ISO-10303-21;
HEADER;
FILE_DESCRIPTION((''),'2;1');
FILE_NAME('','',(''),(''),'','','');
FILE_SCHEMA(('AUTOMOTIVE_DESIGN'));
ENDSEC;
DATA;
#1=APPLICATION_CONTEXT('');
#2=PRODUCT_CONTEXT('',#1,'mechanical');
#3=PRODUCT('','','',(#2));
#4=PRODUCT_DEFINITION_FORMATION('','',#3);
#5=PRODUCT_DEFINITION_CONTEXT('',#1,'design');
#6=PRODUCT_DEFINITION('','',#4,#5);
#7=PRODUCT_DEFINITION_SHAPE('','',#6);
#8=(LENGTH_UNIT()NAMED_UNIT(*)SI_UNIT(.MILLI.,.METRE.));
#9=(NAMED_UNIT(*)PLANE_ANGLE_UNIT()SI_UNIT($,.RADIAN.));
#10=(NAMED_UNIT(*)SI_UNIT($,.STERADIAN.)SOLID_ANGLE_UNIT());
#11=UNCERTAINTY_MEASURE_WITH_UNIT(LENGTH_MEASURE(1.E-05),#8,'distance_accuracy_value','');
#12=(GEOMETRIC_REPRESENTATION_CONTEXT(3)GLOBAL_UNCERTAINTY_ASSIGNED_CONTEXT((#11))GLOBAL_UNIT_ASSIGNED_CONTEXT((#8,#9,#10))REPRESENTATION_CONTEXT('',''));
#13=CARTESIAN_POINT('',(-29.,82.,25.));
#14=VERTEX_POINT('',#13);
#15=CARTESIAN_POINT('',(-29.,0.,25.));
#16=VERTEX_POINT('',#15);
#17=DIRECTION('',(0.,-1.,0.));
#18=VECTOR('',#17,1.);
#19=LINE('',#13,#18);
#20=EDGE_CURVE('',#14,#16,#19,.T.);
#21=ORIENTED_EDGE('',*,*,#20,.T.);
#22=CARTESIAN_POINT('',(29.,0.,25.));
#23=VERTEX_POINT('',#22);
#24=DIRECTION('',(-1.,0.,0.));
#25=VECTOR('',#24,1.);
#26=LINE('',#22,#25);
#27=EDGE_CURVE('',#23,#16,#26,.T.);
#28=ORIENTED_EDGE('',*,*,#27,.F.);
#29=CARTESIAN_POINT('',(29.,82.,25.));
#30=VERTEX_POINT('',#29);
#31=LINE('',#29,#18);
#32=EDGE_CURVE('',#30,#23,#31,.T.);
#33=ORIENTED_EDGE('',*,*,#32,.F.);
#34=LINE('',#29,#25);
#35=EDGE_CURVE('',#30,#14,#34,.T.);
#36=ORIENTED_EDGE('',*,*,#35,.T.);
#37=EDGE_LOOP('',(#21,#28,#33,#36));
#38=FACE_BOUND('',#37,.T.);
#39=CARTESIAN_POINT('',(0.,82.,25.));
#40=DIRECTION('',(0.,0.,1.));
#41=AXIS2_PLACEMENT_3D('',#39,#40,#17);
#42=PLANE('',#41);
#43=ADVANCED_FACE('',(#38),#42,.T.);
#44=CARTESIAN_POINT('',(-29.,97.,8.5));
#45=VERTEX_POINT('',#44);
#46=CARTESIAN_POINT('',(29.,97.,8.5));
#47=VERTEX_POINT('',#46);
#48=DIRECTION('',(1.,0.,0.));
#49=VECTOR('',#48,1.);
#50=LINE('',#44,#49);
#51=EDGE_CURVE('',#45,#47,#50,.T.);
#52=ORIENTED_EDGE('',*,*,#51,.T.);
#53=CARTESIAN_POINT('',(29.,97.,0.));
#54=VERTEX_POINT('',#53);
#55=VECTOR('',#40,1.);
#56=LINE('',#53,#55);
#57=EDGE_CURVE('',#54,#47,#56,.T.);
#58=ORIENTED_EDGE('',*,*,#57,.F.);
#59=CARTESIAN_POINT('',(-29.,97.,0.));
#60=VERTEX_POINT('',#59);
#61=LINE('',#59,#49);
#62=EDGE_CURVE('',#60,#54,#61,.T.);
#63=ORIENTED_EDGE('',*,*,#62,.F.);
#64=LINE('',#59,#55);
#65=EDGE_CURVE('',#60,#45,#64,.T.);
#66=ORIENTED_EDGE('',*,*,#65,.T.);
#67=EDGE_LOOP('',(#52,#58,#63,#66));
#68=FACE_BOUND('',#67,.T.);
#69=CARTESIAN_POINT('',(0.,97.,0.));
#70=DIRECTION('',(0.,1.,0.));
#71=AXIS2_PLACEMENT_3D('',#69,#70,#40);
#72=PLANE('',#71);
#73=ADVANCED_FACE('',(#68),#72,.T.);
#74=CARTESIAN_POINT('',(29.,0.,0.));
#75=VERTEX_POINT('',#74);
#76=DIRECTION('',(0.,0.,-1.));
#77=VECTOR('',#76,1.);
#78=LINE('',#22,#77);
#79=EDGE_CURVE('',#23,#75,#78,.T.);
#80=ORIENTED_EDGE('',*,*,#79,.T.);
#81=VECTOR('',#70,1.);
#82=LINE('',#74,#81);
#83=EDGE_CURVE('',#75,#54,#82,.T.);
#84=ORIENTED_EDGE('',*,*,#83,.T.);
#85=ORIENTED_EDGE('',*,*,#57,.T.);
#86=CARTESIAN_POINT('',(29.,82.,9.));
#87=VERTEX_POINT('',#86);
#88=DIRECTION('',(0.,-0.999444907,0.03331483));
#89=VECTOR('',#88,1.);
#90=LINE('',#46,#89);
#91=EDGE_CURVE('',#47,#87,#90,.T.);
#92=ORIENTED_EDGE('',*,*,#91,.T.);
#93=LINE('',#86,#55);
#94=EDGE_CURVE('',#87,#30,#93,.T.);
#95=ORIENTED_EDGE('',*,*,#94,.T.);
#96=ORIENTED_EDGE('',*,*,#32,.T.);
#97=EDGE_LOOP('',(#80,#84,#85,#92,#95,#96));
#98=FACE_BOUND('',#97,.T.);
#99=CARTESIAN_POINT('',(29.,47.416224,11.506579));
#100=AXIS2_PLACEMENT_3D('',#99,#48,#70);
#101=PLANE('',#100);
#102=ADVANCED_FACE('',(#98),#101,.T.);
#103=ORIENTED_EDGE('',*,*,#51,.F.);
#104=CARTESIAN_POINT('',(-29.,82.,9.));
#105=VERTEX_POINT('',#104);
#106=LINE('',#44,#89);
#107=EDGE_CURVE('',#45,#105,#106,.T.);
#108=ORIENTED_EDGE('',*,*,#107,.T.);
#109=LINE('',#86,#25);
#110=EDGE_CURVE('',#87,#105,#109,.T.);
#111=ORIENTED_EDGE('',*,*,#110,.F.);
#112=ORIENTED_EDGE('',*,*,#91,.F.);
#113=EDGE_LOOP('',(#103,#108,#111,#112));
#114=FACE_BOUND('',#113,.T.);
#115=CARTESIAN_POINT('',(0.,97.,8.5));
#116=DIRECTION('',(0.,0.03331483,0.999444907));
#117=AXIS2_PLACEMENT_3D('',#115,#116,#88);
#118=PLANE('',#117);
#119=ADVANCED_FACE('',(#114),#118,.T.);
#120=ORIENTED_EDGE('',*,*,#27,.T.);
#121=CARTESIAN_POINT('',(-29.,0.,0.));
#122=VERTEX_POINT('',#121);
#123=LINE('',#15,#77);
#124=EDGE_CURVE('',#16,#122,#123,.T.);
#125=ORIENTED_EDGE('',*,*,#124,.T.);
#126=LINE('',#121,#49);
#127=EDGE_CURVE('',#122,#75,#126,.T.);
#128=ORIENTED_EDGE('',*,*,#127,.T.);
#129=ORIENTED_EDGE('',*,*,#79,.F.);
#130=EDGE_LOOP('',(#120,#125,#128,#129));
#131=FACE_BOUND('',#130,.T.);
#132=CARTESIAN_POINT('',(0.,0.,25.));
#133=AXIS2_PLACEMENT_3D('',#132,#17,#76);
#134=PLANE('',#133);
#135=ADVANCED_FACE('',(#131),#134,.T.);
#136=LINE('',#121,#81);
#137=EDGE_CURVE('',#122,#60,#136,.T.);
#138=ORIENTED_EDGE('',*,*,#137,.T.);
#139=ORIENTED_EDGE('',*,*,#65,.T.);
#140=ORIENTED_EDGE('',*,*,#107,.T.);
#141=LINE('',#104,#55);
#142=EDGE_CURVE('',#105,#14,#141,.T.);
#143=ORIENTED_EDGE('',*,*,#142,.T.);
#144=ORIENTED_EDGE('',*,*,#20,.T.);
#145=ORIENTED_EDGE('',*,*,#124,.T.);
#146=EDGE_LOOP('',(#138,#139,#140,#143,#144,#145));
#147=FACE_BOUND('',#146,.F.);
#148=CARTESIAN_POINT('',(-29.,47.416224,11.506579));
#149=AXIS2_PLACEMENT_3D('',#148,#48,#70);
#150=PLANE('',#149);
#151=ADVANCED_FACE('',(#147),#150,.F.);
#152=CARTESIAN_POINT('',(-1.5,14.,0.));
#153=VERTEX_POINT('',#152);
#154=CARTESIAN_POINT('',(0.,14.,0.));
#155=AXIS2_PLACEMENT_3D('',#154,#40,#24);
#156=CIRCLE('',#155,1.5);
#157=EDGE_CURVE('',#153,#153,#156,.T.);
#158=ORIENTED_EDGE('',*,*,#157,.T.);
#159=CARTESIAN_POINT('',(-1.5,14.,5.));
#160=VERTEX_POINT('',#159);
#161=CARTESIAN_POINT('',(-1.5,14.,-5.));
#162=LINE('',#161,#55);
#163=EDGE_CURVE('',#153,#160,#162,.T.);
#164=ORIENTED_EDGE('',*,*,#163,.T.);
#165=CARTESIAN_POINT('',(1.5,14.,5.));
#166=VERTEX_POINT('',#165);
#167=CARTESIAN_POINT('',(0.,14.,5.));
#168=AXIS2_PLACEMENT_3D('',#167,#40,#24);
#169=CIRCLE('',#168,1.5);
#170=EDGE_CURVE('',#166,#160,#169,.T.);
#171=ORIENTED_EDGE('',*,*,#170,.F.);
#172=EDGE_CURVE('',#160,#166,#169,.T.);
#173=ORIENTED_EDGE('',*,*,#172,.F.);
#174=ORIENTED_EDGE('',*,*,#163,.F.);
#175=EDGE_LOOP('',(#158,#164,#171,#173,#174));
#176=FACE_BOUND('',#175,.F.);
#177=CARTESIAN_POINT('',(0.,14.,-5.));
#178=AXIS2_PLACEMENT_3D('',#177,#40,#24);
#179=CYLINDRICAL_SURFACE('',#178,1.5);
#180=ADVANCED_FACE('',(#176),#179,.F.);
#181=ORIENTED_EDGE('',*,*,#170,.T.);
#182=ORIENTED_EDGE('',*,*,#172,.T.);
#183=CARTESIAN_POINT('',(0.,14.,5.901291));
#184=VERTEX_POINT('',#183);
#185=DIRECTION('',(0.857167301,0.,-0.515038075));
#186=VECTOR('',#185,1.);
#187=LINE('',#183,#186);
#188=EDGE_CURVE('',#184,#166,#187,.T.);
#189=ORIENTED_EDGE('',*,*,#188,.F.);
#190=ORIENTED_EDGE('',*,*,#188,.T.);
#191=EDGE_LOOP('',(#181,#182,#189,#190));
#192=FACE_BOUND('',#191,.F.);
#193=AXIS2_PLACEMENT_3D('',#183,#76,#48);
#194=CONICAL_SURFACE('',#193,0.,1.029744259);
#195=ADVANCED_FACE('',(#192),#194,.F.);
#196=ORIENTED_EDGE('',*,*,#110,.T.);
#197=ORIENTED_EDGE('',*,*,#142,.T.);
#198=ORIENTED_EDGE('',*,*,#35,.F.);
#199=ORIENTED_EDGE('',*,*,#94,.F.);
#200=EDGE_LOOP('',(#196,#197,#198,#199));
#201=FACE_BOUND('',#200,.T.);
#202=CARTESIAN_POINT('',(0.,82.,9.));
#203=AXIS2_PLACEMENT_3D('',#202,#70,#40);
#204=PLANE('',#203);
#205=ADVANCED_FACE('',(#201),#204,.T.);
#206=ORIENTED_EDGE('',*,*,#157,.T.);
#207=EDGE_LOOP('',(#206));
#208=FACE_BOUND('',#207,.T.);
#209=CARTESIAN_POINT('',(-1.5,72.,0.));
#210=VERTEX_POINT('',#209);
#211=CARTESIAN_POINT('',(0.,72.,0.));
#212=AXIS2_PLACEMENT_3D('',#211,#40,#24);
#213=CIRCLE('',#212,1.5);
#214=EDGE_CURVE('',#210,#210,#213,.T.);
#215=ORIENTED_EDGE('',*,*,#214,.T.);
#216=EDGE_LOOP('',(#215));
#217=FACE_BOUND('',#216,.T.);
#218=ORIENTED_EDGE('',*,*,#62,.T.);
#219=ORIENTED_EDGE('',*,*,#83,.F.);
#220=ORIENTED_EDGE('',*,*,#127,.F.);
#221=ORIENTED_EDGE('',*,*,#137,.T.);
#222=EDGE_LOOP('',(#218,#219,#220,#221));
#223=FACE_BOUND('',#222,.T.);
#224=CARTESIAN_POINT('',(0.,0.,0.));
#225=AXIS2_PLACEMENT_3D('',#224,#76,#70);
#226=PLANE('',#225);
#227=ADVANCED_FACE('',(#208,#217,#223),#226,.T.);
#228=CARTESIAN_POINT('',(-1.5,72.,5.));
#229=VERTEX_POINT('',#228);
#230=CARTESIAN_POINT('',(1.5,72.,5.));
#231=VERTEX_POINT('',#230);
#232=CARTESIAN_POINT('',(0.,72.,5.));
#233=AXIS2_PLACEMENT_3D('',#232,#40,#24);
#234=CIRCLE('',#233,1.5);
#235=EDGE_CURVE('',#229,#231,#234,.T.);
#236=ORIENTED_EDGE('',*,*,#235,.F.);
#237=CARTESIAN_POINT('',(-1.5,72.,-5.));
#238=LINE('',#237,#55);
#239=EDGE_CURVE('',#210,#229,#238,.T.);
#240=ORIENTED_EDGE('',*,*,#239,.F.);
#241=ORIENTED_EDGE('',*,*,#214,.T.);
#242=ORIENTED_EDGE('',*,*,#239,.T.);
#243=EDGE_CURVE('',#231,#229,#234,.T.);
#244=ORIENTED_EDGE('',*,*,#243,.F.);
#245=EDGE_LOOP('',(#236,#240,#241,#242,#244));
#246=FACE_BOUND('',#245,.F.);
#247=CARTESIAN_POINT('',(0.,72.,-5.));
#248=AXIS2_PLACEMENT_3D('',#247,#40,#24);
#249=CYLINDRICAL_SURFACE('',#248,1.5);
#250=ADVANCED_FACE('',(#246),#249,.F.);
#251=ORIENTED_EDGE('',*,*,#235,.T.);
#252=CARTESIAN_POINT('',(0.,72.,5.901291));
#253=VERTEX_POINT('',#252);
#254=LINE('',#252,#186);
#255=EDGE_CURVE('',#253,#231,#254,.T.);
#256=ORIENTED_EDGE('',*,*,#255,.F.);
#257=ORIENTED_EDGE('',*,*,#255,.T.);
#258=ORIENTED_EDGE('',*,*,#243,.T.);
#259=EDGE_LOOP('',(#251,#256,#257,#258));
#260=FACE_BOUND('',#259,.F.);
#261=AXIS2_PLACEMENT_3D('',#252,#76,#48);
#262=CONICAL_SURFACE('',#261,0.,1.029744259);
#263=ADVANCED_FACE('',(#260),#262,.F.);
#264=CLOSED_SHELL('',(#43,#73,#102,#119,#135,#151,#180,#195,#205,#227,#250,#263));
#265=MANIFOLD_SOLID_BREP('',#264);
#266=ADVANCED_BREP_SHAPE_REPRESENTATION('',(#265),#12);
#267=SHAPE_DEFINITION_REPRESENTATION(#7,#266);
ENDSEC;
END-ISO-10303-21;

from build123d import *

# Parameters (mm, degrees)
F1_DEPTH = 29
F3_D     = 3
F3_DEPTH = 5
F3_TIP   = 0.9012909285


with BuildPart() as f1:
    # F0 (on Right) → F1 (new body, symmetric)
    with BuildSketch(Plane.YZ):
        Polygon((0, 25), (0, 0), (97, 0), (97, 8.5), (82, 9), (82, 25), align=None)
    extrude(amount=F1_DEPTH, both=True)

    # F3
    with Locations(Plane(origin=(0, 0, 0), x_dir=(1, 0, 0), z_dir=(0, 0, -1))):
        with Locations((0, -14), (0, -72)):
            Hole(F3_D / 2, depth=F3_DEPTH)
            with Locations((0, 0, -(F3_DEPTH + F3_TIP / 2))):  # 118° drill point
                Cone(0, F3_D / 2, F3_TIP, mode=Mode.SUBTRACT)


solid = f1.part
